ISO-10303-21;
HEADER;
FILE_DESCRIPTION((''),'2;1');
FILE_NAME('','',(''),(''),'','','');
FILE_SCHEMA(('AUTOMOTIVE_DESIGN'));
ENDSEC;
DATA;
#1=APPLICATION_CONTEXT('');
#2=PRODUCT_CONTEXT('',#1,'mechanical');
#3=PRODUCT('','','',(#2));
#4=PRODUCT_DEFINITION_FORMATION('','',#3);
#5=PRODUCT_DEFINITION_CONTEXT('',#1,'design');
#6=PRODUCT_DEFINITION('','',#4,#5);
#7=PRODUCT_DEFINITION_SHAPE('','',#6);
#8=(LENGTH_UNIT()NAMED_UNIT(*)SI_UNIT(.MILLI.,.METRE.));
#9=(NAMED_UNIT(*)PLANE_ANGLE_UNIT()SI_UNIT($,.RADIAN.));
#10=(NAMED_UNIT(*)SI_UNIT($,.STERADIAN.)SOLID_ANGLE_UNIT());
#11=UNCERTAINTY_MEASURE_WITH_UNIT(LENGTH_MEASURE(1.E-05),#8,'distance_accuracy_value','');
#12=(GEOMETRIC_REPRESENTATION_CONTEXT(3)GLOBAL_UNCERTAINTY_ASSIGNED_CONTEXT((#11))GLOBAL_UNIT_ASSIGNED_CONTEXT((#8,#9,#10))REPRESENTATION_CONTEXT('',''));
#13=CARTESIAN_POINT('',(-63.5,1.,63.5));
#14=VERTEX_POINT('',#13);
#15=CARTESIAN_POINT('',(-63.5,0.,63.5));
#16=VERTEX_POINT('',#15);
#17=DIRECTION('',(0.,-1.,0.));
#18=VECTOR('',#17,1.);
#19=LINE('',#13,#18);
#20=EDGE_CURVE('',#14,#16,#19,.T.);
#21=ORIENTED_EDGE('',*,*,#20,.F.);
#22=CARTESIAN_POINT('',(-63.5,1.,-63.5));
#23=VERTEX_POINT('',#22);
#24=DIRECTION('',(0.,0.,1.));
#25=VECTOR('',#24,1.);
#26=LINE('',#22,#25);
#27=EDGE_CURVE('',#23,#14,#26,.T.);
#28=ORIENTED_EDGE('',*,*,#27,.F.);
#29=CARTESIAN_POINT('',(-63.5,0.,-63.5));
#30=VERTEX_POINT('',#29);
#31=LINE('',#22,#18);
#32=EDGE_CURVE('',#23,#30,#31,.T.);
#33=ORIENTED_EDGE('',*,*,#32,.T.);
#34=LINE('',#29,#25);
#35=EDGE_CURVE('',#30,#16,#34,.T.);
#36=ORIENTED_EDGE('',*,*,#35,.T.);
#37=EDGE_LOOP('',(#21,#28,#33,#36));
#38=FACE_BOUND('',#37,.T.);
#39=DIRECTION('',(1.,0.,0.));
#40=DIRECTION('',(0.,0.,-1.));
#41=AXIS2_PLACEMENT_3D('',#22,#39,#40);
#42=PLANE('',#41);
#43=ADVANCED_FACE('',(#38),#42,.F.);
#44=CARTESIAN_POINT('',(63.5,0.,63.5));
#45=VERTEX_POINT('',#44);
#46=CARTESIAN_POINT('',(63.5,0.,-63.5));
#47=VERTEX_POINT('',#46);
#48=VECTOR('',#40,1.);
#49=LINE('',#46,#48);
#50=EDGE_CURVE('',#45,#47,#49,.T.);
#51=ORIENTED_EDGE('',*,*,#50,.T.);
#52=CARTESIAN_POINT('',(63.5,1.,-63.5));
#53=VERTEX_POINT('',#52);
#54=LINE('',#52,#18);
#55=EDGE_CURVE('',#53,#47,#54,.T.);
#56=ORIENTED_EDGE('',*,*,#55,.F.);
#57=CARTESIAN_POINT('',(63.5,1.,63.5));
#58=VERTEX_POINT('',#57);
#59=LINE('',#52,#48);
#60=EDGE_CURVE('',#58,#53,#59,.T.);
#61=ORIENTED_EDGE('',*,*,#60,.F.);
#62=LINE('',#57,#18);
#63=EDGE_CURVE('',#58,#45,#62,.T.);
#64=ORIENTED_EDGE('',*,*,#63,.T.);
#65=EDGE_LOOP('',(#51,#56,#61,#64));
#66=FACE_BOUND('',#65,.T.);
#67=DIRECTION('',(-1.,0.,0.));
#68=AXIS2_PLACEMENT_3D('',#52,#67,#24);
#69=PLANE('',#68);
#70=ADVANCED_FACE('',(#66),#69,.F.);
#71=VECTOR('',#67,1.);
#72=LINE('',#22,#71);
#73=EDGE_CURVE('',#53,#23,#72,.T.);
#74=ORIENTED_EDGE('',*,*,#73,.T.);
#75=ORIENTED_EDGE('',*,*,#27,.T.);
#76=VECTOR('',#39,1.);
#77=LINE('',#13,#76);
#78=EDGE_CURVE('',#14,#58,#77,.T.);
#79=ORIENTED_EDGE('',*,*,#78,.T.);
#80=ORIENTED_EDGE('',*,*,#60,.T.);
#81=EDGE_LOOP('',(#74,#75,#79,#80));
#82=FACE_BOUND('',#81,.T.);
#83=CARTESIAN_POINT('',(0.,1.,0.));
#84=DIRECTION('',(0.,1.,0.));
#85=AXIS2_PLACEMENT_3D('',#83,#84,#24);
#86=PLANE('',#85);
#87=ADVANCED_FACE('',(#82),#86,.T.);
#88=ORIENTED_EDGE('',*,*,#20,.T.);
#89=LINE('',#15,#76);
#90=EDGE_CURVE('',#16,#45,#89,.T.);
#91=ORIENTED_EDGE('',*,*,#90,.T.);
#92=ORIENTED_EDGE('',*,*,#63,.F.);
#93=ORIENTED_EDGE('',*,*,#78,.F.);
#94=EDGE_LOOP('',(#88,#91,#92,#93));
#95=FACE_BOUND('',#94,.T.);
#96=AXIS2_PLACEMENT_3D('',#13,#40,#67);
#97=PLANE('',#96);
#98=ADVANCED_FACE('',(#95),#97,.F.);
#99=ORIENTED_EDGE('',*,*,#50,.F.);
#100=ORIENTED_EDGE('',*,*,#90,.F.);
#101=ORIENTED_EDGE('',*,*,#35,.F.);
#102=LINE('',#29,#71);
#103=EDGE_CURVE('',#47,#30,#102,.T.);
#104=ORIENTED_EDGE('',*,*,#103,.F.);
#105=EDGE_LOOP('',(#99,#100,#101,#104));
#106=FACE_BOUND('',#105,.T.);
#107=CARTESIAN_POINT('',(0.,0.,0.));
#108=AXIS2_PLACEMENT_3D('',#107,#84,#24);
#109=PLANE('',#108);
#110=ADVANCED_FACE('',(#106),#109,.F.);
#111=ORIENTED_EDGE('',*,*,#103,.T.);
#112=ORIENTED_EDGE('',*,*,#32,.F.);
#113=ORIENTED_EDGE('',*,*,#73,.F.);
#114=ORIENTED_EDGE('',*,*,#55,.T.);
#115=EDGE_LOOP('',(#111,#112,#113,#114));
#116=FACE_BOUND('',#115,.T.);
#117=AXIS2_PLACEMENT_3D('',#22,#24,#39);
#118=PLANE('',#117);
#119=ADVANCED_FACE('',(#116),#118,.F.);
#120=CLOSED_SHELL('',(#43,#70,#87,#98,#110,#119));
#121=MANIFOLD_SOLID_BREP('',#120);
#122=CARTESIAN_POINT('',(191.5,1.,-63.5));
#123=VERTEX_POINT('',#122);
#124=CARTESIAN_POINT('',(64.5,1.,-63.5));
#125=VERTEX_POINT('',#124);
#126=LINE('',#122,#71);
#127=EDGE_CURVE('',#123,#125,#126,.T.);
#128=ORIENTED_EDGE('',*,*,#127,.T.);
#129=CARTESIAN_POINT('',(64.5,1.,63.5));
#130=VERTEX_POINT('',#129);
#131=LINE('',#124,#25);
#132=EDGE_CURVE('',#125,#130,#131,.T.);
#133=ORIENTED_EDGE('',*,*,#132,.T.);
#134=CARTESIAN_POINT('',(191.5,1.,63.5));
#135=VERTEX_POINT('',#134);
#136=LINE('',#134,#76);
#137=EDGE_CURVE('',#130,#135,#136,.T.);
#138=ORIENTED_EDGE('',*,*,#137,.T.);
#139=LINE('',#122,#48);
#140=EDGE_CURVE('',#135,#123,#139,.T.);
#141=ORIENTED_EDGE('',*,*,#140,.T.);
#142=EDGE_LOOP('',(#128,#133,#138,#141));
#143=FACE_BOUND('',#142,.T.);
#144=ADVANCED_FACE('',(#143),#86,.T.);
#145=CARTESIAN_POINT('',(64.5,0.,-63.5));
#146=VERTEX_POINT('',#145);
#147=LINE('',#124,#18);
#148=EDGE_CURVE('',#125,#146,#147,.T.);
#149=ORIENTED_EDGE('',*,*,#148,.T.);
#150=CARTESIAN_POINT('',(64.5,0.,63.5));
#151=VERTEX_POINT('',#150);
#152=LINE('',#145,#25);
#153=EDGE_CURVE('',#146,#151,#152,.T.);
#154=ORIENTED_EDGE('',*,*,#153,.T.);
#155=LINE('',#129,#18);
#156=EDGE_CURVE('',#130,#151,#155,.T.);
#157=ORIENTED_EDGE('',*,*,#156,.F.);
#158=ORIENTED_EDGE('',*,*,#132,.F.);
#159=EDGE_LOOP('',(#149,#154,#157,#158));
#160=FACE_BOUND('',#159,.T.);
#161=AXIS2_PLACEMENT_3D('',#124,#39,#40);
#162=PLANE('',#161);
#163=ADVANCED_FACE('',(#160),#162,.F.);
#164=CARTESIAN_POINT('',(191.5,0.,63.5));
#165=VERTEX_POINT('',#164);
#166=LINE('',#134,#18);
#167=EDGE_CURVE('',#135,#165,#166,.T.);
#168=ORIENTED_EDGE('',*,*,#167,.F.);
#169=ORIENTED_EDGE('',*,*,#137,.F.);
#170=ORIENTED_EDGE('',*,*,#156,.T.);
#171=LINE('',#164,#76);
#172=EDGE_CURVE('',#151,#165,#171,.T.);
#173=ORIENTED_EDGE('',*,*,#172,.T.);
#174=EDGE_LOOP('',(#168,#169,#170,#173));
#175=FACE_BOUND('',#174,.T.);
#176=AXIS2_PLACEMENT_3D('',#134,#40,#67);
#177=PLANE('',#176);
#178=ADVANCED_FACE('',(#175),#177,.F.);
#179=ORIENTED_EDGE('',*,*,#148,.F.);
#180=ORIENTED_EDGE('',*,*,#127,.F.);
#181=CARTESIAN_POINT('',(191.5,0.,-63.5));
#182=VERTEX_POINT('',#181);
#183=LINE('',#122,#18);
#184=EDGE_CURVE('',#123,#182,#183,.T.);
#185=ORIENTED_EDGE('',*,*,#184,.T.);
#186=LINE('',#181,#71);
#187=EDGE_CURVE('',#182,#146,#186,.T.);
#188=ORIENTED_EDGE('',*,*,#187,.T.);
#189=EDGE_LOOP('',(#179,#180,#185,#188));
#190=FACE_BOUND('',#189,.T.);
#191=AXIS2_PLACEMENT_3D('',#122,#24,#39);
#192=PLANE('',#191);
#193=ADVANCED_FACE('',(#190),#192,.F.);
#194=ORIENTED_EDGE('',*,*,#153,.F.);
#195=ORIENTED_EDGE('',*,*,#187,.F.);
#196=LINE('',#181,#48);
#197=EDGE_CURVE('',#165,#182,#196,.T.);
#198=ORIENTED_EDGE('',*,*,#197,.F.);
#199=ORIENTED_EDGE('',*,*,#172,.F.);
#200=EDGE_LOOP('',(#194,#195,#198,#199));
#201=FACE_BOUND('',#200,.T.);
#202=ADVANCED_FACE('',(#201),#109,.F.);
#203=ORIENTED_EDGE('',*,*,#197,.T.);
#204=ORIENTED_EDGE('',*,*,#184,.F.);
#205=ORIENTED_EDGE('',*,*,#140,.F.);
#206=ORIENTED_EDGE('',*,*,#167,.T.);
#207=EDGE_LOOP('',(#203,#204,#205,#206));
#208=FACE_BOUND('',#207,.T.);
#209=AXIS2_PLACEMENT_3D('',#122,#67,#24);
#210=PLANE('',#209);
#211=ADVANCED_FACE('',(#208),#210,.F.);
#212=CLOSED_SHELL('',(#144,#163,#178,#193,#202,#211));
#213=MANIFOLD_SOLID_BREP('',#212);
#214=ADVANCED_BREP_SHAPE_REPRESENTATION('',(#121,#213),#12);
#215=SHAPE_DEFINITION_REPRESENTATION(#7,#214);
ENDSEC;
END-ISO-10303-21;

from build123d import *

# Parameters (mm, degrees)
SKETCH1_W             = 127
SKETCH1_H             = 127
BOSS_EXTRUDE1_DEPTH   = 1
BOSS_EXTRUDE1_2_DEPTH = 1


with BuildPart() as part:
    # Sketch1 → Boss-Extrude1 (new body)
    with BuildSketch(Plane(origin=(0, 0, 0), x_dir=(1, 0, 0), z_dir=(0, 1, 0))):
        with Locations((128, 0)):
            Rectangle(SKETCH1_W, SKETCH1_H)
    extrude(amount=BOSS_EXTRUDE1_DEPTH)


with BuildPart() as body_2:
    # Sketch1 → Boss-Extrude1 2 (new body)
    with BuildSketch(Plane(origin=(0, 0, 0), x_dir=(1, 0, 0), z_dir=(0, 1, 0))):
        Rectangle(SKETCH1_W, SKETCH1_H)
    extrude(amount=BOSS_EXTRUDE1_2_DEPTH)


solid = Compound([part.part, body_2.part])
